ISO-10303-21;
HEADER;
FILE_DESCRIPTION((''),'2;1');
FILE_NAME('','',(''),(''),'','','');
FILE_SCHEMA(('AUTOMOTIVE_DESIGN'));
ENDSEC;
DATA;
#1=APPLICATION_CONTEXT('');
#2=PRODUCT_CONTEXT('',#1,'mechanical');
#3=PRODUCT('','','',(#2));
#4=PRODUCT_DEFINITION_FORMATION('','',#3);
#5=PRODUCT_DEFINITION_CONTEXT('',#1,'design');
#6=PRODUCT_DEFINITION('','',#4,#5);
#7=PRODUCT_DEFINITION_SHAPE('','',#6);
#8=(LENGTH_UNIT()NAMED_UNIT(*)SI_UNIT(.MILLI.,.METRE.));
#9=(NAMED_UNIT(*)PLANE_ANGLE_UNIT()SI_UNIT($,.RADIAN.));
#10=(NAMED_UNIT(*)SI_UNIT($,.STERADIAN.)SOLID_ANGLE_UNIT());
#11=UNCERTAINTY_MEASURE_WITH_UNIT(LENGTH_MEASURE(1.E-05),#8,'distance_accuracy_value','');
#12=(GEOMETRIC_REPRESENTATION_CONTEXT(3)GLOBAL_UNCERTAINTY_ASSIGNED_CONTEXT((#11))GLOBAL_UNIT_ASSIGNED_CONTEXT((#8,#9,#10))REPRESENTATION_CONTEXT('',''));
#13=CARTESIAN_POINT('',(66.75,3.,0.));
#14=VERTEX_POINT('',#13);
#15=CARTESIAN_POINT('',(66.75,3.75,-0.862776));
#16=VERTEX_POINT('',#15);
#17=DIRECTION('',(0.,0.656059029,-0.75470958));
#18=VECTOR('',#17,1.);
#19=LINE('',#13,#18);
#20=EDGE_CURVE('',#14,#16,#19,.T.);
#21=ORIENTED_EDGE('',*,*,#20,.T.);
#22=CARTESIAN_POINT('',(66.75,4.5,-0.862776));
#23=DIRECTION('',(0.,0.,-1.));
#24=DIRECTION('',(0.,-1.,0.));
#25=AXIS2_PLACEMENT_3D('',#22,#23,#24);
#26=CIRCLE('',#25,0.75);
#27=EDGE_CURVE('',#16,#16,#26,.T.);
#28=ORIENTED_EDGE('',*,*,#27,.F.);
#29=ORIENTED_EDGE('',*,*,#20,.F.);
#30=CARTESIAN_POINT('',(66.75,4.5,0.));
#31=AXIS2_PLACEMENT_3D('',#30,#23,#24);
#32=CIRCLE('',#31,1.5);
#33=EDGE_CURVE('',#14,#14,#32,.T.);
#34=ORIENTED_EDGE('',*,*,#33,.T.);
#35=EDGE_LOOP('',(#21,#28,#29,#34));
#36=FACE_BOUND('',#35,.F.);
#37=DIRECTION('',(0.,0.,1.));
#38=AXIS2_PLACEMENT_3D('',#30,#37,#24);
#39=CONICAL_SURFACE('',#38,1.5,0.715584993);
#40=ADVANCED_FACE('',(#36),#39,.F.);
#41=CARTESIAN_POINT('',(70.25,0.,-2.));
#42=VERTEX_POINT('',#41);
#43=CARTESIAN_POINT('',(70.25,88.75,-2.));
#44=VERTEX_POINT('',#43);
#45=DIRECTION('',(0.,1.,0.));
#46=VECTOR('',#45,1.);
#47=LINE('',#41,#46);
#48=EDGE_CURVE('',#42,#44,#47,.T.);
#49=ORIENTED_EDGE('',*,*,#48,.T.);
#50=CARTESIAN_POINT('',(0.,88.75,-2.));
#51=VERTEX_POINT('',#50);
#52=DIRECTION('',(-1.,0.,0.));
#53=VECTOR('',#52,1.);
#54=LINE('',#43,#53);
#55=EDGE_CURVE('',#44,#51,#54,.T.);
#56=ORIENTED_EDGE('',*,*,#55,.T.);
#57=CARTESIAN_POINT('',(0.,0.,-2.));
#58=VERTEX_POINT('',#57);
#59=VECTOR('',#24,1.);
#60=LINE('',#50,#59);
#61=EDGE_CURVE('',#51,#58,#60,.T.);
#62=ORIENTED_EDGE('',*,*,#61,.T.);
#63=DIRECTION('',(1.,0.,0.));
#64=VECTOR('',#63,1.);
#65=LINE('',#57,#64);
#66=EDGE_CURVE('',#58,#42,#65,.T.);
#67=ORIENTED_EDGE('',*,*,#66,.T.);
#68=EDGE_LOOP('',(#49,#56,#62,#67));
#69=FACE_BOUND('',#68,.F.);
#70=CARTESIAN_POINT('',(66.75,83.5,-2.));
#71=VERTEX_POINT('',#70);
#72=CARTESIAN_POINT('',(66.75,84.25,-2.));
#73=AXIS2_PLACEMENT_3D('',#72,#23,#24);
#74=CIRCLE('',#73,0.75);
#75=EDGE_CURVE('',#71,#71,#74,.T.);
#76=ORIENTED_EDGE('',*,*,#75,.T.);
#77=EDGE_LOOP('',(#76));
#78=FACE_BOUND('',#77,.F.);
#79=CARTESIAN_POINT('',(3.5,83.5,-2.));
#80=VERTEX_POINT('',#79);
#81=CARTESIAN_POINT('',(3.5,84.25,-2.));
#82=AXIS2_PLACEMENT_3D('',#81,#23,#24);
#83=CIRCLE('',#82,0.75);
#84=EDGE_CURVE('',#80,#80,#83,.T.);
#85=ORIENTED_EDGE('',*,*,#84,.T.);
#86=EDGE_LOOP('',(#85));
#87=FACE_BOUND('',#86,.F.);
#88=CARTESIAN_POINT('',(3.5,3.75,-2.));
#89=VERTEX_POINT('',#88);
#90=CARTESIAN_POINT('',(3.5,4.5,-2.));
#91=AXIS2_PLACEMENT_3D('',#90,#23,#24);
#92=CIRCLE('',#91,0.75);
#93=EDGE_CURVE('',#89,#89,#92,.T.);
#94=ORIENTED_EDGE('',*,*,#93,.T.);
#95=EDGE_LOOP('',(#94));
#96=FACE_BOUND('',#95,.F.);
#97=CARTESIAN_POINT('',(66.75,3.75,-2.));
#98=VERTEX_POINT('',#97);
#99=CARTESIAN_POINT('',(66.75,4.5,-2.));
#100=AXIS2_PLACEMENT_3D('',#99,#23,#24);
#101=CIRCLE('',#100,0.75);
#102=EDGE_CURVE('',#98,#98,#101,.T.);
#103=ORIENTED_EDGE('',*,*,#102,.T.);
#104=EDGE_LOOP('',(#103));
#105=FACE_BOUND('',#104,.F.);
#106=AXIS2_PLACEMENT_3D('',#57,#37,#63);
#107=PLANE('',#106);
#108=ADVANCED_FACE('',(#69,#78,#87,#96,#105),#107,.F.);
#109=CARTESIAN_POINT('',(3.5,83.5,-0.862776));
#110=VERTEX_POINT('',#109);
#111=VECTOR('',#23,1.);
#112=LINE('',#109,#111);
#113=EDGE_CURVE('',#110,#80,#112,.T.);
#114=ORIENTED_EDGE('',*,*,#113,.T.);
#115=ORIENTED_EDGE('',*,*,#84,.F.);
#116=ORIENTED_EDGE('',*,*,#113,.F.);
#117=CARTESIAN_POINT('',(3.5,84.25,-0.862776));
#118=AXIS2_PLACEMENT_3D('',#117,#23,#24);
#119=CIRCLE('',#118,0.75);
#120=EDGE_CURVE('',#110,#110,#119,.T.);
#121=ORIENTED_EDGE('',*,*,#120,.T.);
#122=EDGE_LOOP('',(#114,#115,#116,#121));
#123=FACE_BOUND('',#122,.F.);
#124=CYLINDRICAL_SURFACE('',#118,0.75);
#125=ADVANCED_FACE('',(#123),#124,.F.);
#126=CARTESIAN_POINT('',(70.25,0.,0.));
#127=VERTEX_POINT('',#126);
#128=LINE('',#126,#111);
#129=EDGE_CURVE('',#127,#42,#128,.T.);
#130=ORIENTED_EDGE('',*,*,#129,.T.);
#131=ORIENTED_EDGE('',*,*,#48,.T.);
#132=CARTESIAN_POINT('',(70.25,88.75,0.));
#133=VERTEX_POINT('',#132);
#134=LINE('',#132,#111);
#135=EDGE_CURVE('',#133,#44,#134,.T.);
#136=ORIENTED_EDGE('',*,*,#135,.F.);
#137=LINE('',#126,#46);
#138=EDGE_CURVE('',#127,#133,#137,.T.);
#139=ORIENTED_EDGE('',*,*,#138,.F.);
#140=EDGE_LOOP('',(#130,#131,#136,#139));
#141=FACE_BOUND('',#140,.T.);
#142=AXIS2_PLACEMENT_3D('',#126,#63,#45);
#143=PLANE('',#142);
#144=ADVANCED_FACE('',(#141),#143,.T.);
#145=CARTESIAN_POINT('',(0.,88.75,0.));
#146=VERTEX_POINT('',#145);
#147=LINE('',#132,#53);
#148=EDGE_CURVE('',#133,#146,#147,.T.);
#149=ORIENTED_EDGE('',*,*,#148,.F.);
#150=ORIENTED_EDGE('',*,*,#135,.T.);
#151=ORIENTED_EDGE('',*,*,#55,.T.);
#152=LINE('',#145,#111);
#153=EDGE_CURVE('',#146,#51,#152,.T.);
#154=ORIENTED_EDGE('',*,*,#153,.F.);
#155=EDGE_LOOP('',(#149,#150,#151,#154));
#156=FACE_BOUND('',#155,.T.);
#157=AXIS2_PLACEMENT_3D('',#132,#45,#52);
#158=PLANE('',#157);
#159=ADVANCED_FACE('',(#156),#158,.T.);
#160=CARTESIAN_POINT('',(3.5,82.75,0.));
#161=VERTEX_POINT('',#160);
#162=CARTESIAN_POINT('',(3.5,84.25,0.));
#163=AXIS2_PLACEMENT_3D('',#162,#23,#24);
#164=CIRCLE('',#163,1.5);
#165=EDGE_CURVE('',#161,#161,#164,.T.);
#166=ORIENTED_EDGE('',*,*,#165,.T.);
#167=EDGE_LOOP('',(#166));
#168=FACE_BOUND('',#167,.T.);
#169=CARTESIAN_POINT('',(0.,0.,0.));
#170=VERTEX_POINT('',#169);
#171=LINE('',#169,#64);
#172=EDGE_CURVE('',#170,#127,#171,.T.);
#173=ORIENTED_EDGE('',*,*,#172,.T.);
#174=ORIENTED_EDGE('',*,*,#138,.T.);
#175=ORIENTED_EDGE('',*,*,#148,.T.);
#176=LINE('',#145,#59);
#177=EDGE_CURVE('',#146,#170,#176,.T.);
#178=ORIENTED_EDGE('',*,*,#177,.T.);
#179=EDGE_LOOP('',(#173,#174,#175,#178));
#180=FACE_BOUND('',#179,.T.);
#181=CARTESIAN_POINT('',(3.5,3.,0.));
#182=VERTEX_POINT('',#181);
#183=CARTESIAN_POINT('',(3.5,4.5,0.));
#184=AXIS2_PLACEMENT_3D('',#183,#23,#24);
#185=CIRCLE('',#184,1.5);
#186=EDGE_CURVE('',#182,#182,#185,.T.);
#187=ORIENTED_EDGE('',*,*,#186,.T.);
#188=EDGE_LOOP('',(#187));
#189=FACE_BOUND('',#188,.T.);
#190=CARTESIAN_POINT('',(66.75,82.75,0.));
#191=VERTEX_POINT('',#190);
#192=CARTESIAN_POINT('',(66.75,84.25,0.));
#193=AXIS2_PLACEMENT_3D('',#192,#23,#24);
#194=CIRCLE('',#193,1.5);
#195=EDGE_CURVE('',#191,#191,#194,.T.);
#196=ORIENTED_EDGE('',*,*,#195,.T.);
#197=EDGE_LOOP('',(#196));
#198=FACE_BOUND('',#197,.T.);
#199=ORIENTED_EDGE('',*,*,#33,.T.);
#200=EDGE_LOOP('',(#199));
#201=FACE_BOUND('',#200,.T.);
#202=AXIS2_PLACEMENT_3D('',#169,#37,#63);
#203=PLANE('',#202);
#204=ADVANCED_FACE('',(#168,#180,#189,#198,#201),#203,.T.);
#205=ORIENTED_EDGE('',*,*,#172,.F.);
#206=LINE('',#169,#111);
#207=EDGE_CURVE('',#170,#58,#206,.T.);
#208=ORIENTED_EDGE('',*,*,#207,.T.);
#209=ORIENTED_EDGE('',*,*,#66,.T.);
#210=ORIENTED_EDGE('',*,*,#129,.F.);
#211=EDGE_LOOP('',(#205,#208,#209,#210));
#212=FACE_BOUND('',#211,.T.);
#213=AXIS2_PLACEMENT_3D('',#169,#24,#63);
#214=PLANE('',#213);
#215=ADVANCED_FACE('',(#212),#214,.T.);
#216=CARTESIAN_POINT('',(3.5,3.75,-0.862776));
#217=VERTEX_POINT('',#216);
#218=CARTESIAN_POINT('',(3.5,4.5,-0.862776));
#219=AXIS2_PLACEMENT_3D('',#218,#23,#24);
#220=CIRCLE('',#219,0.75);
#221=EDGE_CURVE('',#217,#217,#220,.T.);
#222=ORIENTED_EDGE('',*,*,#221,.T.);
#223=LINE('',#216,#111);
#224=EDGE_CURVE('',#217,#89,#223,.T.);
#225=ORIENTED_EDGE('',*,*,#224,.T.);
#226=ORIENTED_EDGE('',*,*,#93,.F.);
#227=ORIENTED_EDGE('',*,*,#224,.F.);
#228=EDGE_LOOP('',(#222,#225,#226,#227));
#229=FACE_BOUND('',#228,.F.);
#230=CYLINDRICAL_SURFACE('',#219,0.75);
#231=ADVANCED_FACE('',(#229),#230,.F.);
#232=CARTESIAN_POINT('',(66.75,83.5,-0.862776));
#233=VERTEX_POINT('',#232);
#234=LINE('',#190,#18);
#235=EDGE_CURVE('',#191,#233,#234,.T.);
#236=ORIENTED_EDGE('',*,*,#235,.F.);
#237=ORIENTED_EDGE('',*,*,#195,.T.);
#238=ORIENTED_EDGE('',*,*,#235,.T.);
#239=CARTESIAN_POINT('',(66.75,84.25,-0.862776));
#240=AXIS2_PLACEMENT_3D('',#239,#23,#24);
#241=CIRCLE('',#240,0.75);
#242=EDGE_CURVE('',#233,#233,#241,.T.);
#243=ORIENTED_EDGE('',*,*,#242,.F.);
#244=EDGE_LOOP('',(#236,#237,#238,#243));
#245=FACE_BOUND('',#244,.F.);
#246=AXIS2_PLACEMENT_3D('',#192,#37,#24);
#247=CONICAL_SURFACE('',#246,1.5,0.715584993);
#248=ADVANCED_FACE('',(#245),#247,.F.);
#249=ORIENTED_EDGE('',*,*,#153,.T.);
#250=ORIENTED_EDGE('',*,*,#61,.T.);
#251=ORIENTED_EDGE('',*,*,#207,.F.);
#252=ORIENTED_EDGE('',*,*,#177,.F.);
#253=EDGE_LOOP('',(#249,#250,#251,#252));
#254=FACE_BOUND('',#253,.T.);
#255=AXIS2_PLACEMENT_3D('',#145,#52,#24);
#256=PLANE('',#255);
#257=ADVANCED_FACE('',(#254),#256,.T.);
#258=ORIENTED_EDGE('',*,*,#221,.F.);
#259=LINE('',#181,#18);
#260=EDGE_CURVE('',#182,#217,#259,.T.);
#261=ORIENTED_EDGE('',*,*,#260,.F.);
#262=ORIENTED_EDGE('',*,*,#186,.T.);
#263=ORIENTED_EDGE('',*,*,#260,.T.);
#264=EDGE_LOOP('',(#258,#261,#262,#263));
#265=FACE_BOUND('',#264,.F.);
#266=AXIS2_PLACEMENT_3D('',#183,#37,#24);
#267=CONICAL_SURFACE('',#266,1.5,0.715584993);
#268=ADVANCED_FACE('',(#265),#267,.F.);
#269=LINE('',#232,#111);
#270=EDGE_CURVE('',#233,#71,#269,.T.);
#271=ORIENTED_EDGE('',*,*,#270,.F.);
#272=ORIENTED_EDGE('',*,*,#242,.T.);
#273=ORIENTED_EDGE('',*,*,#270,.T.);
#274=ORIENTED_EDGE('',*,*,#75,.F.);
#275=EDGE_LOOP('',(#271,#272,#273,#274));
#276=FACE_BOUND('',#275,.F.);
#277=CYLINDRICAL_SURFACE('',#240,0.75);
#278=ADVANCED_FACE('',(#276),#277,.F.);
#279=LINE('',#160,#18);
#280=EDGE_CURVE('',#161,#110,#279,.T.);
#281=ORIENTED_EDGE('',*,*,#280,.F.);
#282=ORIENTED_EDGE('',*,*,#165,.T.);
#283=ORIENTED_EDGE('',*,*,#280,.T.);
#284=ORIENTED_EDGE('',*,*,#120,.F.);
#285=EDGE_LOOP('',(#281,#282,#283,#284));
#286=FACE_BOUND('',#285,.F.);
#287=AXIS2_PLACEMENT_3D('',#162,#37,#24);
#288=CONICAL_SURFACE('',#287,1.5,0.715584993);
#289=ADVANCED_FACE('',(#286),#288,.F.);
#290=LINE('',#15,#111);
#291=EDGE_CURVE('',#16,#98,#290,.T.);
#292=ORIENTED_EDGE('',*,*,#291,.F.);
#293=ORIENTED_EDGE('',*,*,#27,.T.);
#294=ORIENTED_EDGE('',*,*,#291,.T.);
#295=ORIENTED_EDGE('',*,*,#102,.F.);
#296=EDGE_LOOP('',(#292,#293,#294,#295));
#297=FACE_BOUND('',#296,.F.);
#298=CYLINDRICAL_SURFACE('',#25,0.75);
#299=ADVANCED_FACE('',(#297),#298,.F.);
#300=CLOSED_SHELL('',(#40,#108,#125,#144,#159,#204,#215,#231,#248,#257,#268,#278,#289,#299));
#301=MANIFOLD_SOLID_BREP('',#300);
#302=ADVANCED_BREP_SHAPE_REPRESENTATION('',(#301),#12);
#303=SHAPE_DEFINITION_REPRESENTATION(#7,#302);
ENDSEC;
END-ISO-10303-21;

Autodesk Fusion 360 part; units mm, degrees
sketch "Sketch1" plane through (0, 0, 0) normal (0, 0, 1) x (1, 0, 0)
  line L0 (0, 0) -> (70.25, 0)
  line L1 (70.25, 0) -> (70.25, 88.75)
  line L2 (70.25, 88.75) -> (0, 88.75)
  line L3 (0, 88.75) -> (0, 0)
  point P0 (3.5, 84.25)
  point P1 (66.75, 84.25)
  point P2 (3.5, 4.5)
  point P3 (66.75, 4.5)
  dimension "d1" = 88.75
  dimension "d2" = 70.25
  dimension "d8" = 3.5
  dimension "d9" = 4.5
  dimension "d10" = 3.5
  dimension "d11" = 4.5
  dimension "d12" = 3.5
  dimension "d13" = 4.5
  dimension "d14" = 4.5
  dimension "d15" = 3.5
extrude "Extrude1" add sketch "Sketch1" against normal blind 2
hole "Hole1" at (66.75, 84.25, 0) at (3.5, 84.25, 0) at (66.75, 4.5, 0) at (3.5, 4.5, 0) direction (0, 0, -1) diameter 1.5 end through all countersink diameter 3 countersink angle 82
